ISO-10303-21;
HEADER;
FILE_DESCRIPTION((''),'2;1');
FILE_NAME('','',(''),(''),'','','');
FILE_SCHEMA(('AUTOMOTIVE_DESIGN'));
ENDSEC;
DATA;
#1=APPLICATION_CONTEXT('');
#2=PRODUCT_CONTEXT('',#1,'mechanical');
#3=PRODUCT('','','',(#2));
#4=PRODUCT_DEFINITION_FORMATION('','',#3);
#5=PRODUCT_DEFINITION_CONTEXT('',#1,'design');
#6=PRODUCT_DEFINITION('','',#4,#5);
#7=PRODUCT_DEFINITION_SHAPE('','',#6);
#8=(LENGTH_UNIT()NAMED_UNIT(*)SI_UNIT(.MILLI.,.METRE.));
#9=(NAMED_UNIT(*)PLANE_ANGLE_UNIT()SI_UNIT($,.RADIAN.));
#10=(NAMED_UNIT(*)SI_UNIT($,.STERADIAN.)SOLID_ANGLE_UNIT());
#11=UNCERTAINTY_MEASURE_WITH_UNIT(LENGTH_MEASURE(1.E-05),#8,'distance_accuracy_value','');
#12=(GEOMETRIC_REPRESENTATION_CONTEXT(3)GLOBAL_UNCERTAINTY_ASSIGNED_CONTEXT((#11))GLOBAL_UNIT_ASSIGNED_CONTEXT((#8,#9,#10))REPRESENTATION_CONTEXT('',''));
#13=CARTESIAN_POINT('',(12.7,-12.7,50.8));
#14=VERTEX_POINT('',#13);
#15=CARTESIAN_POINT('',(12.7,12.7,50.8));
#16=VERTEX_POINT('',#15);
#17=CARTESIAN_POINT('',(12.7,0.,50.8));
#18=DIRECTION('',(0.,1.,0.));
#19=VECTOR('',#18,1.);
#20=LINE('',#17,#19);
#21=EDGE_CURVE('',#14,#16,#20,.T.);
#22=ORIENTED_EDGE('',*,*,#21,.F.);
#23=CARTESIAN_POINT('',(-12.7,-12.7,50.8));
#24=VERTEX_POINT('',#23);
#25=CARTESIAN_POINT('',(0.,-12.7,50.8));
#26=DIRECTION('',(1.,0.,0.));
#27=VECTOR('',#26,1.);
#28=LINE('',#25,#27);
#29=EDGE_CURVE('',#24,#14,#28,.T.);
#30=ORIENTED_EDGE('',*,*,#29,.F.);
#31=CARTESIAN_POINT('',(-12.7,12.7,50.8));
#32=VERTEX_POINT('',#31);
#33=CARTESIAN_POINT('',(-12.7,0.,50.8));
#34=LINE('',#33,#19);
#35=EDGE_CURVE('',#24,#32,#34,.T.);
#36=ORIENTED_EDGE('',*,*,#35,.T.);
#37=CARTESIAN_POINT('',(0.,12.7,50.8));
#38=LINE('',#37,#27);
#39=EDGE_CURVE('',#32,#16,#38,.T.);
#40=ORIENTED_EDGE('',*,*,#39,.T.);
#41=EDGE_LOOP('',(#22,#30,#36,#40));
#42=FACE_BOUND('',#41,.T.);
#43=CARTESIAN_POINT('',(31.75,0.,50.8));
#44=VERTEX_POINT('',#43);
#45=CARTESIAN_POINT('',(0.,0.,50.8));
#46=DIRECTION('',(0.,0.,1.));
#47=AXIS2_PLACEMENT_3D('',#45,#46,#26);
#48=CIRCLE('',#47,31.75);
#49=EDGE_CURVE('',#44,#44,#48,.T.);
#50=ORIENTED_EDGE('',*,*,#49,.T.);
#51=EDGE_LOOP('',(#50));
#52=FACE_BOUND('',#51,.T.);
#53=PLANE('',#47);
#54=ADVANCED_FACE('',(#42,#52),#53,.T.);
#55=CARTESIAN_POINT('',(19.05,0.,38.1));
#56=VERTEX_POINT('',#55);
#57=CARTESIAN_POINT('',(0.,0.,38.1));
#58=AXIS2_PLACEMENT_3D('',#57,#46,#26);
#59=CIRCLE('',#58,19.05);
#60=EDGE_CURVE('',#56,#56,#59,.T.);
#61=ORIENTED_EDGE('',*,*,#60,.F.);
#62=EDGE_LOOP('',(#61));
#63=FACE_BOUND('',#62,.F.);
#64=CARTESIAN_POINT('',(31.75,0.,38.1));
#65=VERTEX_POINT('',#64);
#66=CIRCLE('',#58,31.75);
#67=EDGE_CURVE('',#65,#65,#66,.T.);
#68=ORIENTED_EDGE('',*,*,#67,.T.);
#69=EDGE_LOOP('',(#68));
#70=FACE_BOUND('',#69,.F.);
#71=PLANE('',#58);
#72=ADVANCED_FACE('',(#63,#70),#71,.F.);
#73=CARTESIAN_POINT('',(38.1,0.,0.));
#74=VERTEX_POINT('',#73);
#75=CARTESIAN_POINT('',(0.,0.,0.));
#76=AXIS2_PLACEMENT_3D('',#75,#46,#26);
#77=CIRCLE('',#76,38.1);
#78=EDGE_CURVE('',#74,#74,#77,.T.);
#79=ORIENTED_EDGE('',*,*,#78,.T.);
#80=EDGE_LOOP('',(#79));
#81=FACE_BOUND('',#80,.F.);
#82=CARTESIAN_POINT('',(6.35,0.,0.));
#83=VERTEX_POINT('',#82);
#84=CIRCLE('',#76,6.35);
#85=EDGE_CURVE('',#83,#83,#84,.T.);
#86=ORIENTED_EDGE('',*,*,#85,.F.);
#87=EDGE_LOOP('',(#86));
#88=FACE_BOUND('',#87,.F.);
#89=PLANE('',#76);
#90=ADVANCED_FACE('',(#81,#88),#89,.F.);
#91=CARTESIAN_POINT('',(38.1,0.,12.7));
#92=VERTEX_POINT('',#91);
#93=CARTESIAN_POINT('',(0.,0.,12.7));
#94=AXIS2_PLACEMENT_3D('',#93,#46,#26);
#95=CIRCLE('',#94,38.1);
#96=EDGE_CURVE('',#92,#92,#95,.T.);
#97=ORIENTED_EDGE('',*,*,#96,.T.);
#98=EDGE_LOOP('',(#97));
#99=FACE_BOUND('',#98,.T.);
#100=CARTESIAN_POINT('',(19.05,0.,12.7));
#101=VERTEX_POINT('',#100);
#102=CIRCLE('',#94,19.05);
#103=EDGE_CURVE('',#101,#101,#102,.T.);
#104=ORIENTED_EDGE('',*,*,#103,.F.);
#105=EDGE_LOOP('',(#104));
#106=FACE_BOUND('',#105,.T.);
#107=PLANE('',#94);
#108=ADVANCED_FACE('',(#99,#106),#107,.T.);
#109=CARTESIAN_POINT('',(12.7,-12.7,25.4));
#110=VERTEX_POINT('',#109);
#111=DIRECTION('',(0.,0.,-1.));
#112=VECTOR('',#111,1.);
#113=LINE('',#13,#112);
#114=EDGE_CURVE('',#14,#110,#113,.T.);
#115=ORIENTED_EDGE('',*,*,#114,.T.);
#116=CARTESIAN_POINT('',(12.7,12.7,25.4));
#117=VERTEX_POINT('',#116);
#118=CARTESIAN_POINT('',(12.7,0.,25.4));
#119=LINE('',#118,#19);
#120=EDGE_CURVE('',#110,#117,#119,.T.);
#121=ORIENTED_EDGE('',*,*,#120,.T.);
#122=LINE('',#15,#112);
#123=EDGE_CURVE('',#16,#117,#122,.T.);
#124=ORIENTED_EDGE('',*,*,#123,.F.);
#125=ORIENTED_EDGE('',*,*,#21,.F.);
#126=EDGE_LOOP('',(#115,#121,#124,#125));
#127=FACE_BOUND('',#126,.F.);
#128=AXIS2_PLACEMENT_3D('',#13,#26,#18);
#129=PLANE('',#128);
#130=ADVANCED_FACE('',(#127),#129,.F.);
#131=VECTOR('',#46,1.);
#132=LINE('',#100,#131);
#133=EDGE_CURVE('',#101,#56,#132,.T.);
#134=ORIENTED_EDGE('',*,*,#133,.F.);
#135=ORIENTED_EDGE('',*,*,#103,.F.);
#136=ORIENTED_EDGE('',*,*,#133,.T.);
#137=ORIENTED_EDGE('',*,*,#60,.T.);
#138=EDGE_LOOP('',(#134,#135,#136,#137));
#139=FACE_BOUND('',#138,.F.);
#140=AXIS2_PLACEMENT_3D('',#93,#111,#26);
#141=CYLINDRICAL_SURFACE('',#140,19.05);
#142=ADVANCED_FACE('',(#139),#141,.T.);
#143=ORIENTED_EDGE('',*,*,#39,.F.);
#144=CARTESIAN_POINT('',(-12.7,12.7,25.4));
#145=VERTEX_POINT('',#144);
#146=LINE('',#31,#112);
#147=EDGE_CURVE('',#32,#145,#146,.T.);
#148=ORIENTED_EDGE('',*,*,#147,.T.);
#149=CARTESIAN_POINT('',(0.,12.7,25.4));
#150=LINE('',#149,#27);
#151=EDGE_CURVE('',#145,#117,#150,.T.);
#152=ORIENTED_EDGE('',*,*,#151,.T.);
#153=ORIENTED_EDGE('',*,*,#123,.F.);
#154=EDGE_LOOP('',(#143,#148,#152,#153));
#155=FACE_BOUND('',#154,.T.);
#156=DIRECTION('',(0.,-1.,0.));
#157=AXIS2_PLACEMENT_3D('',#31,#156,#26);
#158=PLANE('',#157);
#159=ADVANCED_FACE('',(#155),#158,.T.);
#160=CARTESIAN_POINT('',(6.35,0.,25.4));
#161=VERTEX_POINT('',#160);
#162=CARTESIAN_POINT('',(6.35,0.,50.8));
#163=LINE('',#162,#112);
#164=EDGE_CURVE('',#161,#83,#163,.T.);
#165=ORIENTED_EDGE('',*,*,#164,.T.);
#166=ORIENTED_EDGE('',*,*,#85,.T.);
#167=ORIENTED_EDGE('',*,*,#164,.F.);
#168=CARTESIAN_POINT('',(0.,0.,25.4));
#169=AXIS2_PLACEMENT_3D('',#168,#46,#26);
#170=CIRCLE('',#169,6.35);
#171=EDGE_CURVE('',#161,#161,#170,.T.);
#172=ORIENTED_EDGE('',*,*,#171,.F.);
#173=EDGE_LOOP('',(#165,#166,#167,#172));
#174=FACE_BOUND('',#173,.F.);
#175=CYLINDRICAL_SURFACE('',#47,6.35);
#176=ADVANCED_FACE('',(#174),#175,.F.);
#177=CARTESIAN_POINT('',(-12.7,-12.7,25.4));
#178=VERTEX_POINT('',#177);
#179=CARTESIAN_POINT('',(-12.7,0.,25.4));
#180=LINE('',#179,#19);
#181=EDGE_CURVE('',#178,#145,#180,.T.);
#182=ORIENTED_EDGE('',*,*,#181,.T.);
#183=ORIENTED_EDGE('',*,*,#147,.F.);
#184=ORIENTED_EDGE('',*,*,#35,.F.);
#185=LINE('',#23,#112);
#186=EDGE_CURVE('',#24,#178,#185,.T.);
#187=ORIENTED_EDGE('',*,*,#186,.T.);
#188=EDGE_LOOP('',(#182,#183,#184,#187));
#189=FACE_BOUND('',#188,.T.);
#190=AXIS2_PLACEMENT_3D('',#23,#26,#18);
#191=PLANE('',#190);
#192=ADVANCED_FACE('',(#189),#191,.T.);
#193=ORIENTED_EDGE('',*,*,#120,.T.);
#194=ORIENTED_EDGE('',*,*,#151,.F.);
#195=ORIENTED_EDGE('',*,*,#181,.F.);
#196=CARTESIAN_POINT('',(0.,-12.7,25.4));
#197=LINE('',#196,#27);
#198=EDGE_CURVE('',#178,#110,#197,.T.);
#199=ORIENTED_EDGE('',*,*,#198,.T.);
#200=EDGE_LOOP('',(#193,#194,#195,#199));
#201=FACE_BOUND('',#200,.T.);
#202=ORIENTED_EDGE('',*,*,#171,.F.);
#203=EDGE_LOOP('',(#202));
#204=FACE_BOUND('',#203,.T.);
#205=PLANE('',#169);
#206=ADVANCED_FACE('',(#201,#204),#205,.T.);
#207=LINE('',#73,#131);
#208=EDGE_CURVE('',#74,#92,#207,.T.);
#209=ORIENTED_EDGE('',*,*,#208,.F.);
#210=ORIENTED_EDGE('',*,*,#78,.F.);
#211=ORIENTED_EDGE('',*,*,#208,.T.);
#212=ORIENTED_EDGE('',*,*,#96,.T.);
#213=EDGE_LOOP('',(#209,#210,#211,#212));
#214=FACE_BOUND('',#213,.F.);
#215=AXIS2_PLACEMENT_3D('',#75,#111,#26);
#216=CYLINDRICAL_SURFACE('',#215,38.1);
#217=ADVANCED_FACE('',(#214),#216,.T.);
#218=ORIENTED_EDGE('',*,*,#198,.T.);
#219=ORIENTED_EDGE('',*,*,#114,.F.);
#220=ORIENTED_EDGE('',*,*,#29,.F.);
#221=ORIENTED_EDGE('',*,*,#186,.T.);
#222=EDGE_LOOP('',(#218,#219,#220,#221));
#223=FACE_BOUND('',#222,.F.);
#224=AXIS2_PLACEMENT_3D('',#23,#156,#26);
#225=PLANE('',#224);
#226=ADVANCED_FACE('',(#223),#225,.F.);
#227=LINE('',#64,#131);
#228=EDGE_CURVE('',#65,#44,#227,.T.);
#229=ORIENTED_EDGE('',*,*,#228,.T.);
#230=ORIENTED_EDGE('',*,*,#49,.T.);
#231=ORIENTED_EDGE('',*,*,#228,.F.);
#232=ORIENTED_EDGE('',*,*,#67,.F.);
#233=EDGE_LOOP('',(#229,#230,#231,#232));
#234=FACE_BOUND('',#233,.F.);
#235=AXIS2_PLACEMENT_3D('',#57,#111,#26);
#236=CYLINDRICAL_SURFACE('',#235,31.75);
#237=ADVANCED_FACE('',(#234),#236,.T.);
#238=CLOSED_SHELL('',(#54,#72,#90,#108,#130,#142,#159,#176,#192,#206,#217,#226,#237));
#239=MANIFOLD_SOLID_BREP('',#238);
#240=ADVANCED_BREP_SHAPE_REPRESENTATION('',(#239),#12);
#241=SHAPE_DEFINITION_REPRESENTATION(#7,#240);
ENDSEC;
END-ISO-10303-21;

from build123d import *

# Parameters (mm, degrees)
F0_R     = 38.1
F1_DEPTH = 12.7
F2_R     = 19.05
F3_DEPTH = 25.4
F4_R     = 31.75
F5_DEPTH = 12.7
F6_W     = 25.4
F6_H     = 25.4
F7_DEPTH = 25.4
F8_R     = 6.35
F9_DEPTH = 50.801


with BuildPart() as f1:
    # F0 (on Top) → F1 (new body)
    with BuildSketch(Plane.XY):
        Circle(F0_R)
    extrude(amount=F1_DEPTH)

    # F2 (on face) → F3 (join)
    with BuildSketch(Plane.XY.offset(12.7)):
        Circle(F2_R)
    extrude(amount=F3_DEPTH)

    # F4 (on face) → F5 (join)
    with BuildSketch(Plane.XY.offset(38.1)):
        Circle(F4_R)
    extrude(amount=F5_DEPTH)

    # F6 (on face) → F7 (cut)
    with BuildSketch(Plane.XY.offset(50.8)):
        Rectangle(F6_W, F6_H)
    extrude(amount=-F7_DEPTH, mode=Mode.SUBTRACT)

    # F8 (on face) → F9 (cut, through all)
    with BuildSketch(Plane.XY.offset(50.8)):
        Circle(F8_R)
    extrude(amount=-F9_DEPTH, mode=Mode.SUBTRACT)


solid = f1.part
